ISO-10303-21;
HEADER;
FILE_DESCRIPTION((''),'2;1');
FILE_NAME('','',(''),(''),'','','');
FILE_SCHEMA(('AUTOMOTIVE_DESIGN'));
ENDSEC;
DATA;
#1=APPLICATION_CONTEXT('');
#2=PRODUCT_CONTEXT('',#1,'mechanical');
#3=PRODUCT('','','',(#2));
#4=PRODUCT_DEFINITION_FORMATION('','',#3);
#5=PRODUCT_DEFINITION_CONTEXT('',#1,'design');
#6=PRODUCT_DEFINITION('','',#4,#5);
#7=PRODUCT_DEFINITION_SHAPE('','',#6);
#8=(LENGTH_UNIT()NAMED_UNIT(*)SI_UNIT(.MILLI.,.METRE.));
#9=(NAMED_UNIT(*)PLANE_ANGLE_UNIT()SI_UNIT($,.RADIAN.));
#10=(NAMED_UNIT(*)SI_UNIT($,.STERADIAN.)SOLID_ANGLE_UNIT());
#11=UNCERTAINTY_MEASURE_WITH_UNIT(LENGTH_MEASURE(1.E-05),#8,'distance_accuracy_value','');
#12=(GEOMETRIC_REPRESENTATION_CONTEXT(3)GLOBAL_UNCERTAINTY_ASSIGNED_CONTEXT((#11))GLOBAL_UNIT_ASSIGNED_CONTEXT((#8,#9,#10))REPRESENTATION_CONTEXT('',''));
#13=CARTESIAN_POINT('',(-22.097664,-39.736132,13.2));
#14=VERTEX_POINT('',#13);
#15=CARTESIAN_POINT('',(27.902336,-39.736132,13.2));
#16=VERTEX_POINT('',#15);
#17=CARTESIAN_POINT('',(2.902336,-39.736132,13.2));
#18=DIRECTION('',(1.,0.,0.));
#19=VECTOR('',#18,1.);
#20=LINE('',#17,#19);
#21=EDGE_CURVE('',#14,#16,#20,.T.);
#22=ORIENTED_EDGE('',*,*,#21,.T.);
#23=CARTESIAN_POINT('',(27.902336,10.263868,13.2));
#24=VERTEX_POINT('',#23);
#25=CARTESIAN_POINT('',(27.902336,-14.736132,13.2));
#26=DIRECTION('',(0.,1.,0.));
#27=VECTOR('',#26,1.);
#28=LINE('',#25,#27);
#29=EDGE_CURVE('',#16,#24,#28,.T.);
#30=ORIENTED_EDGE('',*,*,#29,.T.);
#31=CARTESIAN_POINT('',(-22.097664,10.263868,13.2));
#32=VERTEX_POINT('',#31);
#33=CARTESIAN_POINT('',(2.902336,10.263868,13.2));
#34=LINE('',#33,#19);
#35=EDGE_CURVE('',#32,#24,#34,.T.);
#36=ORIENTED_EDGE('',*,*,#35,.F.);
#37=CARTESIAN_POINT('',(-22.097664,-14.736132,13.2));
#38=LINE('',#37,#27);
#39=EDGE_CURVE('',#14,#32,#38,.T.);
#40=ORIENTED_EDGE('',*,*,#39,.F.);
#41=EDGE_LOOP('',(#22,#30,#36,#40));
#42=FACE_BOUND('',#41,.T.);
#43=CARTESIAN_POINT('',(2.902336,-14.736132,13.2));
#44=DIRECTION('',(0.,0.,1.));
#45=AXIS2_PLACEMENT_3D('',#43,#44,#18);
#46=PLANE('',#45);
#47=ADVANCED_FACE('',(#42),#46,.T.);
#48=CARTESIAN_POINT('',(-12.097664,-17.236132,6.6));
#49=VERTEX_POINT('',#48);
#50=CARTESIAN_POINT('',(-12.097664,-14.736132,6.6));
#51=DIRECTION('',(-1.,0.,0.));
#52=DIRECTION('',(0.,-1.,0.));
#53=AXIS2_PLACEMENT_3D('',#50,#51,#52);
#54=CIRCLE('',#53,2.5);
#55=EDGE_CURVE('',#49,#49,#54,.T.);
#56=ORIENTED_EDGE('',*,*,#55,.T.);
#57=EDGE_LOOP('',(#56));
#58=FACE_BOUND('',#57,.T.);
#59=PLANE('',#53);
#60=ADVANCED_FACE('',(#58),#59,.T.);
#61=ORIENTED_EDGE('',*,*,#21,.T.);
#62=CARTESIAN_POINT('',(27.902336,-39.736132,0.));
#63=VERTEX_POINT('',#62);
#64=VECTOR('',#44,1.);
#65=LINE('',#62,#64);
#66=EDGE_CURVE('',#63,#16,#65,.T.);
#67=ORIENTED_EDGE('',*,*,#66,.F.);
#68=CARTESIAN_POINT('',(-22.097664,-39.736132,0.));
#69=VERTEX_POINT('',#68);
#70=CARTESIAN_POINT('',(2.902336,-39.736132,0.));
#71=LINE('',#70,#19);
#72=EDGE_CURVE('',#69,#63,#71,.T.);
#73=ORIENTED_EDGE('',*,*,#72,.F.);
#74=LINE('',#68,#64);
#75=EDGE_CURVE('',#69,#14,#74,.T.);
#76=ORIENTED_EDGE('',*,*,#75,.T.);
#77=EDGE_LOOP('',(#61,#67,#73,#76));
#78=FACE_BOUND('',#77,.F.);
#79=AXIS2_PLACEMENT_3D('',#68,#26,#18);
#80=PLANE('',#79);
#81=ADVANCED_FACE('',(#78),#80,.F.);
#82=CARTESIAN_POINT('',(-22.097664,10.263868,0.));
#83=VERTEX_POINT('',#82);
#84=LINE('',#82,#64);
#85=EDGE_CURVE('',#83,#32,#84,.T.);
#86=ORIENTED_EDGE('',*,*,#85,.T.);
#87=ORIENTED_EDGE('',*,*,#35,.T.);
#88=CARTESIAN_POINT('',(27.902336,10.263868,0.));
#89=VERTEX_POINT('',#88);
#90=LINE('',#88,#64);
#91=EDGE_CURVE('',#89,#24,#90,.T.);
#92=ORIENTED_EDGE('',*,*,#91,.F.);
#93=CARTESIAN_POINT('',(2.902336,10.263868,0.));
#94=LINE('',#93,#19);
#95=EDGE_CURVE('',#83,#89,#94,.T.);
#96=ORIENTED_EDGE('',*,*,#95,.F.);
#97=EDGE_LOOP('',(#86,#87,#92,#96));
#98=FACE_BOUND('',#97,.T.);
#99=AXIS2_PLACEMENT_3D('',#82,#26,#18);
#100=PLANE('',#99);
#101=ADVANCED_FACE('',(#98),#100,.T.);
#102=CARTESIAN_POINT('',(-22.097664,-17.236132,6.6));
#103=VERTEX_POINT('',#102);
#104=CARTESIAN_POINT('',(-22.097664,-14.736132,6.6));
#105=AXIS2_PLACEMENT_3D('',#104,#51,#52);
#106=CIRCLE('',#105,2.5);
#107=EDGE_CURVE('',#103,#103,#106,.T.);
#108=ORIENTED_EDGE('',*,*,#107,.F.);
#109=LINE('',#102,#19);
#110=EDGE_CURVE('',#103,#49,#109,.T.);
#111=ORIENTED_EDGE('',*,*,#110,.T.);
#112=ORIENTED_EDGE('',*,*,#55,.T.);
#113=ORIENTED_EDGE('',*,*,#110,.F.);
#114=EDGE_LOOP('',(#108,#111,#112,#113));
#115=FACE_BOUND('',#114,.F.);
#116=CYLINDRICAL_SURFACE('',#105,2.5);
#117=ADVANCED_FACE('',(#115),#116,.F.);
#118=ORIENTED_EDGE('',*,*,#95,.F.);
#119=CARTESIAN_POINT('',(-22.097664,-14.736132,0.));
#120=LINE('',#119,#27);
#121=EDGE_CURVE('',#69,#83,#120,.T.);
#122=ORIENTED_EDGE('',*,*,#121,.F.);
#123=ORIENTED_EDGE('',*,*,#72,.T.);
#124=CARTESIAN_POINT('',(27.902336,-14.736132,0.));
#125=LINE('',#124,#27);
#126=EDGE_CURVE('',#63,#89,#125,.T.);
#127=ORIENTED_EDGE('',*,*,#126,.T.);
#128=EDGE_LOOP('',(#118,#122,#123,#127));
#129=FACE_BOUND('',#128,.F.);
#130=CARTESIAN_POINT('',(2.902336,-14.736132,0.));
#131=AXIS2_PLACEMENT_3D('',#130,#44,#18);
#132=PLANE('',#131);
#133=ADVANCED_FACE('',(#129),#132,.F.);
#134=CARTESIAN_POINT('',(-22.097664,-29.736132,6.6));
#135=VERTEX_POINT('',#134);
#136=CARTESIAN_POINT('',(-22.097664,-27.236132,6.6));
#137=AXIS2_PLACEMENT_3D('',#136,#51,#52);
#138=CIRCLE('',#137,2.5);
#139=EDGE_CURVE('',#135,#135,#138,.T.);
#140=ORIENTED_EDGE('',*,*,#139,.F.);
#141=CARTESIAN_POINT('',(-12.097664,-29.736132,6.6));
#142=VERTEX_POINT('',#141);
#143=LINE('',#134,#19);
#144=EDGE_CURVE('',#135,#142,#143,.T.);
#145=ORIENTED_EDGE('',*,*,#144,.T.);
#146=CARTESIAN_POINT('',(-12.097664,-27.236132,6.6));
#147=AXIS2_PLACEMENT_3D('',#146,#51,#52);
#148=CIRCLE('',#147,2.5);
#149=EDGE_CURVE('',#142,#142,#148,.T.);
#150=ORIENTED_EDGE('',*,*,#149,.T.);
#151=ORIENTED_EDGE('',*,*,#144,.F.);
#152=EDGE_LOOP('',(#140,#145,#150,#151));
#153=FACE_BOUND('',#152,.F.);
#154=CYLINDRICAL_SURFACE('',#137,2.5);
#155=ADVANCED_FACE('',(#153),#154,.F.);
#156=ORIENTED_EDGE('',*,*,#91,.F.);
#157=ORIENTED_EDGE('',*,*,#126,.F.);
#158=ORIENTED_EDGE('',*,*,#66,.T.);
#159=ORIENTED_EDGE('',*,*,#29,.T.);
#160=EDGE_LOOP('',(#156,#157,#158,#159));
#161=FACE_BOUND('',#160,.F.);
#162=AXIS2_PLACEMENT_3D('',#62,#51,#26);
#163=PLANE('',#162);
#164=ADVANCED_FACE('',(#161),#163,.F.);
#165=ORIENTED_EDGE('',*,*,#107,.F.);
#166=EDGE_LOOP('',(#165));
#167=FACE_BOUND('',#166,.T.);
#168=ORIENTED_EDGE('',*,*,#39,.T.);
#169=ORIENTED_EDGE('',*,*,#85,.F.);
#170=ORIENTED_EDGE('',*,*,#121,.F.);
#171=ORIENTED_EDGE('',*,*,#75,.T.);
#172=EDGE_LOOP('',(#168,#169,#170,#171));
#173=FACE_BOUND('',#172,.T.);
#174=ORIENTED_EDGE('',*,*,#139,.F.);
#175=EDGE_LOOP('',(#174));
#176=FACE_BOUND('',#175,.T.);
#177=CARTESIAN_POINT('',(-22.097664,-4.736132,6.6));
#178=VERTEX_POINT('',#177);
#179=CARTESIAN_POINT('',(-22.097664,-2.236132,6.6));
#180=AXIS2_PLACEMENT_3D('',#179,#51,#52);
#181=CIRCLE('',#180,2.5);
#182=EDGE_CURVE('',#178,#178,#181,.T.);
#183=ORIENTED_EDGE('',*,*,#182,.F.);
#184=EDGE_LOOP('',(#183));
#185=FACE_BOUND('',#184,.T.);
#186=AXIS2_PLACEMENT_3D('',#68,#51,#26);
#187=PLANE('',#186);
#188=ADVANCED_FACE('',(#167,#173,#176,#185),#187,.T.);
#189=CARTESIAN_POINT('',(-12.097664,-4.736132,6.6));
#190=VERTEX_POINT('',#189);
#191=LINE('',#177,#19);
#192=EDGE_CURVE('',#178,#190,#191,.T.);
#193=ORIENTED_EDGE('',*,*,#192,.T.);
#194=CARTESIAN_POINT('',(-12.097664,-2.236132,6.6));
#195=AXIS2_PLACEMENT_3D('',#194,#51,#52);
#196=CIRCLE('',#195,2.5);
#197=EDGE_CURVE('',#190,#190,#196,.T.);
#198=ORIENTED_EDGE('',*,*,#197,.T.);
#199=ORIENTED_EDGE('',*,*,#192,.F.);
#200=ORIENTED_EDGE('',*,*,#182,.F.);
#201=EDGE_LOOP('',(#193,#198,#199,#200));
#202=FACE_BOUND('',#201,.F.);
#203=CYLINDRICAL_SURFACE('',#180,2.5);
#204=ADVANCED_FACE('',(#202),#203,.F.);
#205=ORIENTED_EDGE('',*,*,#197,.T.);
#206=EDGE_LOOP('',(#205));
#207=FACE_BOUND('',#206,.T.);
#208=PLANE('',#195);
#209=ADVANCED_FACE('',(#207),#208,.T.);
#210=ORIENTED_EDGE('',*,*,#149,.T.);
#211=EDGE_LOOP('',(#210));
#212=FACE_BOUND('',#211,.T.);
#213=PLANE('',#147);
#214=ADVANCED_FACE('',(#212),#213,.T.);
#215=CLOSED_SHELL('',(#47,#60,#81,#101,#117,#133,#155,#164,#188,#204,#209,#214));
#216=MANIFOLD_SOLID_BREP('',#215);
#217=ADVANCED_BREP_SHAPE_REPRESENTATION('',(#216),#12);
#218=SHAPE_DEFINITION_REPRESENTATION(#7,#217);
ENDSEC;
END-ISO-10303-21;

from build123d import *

# Parameters (mm, degrees)
F0_W     = 50
F0_H     = 50
F1_DEPTH = 13.2
F2_R     = 2.5
F3_DEPTH = 10


with BuildPart() as f1:
    # F0 (on Top) → F1 (new body)
    with BuildSketch(Plane.XY):
        with Locations((2.902336, -14.736132)):
            Rectangle(F0_W, F0_H)
    extrude(amount=F1_DEPTH)

    # F2 (on face) → F3 (cut)
    with BuildSketch(Plane(origin=(-22.097664, 0, 0), x_dir=(0, -1, 0), z_dir=(-1, 0, 0))):
        with Locations((2.236132, 6.6)):
            Circle(F2_R)
        with Locations((14.736132, 6.6)):
            Circle(F2_R)
        with Locations((27.236132, 6.6)):
            Circle(F2_R)
    extrude(amount=-F3_DEPTH, mode=Mode.SUBTRACT)


solid = f1.part
